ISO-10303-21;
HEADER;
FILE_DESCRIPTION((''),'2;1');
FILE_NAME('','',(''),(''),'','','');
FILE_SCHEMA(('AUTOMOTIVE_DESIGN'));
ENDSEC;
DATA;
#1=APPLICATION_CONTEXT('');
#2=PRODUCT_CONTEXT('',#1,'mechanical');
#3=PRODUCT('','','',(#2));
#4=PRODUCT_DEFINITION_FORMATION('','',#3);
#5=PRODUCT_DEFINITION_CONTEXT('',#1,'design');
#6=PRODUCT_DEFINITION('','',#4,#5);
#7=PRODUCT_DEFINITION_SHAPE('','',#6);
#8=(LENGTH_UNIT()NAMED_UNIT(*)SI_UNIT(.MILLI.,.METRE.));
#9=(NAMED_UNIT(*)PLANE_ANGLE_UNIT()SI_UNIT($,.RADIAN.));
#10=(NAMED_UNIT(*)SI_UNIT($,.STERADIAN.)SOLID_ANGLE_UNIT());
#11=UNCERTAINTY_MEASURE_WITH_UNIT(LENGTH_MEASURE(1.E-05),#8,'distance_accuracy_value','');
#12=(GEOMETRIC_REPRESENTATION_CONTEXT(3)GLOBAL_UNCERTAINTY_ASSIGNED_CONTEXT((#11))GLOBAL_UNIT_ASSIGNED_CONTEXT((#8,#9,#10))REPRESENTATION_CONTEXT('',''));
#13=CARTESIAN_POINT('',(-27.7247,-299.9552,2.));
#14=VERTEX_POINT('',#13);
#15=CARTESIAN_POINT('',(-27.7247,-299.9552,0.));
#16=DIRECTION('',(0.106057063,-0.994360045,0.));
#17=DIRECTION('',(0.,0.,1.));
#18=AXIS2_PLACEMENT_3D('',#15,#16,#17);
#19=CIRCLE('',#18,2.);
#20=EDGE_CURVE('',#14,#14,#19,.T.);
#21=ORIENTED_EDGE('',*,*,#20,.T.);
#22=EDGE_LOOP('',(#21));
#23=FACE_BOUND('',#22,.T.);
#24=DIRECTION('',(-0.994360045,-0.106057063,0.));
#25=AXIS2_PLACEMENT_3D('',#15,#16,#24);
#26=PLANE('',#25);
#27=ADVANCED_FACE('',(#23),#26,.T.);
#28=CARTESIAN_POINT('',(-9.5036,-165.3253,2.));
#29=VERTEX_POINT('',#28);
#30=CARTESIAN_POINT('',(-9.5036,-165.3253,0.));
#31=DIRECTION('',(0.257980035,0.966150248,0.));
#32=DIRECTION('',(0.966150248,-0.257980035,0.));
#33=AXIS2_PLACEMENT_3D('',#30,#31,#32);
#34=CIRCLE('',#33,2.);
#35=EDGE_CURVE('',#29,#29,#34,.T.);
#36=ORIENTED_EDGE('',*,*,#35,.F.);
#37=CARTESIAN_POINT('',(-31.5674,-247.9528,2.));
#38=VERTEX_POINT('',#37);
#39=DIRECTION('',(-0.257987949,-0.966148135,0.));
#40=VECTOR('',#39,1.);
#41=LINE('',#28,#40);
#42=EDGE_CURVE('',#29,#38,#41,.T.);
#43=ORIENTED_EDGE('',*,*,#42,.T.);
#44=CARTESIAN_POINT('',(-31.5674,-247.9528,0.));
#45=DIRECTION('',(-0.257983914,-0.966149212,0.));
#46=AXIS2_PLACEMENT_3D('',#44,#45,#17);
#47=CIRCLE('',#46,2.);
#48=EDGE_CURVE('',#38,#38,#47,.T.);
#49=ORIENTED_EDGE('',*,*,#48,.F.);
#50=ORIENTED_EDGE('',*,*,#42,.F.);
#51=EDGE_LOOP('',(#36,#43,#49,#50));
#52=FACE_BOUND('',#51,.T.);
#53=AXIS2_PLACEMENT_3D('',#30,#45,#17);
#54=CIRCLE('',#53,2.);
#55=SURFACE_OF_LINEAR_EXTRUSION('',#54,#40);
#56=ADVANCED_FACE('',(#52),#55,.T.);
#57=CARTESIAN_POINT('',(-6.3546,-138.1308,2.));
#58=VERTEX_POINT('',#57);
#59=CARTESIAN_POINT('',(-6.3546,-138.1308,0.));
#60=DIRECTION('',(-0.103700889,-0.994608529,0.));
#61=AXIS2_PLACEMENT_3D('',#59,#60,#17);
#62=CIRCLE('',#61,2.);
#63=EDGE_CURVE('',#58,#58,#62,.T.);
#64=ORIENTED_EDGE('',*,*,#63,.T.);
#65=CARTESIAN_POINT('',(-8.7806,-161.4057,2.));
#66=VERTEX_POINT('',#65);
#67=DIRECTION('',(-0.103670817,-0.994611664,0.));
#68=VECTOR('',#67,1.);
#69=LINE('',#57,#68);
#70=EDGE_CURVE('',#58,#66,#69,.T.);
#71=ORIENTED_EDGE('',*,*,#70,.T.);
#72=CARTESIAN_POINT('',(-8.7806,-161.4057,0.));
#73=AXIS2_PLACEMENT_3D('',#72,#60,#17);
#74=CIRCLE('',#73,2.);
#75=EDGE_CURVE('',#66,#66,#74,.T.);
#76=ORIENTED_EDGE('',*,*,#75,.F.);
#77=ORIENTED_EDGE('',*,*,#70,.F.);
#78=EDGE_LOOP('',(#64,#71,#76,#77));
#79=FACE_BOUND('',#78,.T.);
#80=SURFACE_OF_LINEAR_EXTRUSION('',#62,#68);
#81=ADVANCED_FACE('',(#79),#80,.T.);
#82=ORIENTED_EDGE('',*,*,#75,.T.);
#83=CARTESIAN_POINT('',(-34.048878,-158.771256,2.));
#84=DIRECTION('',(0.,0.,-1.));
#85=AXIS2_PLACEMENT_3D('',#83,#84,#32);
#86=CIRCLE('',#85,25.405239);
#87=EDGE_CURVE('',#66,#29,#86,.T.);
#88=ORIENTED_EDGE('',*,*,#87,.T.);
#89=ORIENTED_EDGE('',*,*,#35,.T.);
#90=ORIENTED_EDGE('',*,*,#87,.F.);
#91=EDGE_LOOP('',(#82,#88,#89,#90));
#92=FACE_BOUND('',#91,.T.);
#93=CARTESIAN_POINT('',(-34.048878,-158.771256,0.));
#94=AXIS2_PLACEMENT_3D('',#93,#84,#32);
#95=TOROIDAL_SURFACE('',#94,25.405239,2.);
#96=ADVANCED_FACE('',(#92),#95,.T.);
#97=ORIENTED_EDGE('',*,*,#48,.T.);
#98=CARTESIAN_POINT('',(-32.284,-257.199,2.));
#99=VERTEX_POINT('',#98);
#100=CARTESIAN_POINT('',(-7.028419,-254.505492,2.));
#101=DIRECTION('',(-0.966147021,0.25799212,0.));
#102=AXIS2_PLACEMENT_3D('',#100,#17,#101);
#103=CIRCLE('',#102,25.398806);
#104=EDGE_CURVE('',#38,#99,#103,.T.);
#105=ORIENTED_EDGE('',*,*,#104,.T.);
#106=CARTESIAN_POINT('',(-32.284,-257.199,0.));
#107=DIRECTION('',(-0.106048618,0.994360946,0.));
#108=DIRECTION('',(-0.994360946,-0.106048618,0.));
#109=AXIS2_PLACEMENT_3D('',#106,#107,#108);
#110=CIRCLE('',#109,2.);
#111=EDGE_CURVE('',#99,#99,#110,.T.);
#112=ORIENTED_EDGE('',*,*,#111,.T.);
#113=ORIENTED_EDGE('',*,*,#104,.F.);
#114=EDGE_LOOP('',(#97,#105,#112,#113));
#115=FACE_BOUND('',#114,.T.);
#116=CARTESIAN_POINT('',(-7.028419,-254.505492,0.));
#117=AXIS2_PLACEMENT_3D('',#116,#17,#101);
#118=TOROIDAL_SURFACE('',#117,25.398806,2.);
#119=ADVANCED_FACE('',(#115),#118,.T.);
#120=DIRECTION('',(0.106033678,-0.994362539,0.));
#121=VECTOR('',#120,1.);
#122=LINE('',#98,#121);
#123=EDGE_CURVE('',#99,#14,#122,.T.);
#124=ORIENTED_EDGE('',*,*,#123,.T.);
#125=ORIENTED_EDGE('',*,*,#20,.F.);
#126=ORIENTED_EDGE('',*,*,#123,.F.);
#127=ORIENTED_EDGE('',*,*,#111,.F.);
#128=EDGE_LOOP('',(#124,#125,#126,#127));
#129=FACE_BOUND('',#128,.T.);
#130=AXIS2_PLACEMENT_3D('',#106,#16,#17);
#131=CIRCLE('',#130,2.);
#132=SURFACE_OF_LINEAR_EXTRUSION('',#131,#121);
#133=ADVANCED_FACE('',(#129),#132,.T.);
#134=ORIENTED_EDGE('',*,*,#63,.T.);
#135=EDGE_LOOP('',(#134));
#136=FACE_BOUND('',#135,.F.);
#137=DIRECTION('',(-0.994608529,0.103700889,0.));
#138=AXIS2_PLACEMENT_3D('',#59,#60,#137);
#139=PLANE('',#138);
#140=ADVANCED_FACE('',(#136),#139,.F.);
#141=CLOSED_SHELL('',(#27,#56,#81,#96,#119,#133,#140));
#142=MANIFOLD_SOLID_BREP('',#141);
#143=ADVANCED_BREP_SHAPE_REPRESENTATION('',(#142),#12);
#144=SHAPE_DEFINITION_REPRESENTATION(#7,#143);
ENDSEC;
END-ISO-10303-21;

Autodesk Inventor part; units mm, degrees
ref_plane "YZ Plane" through (0, 0, 0) normal (1, 0, 0) x (0, 1, 0)
ref_plane "XZ Plane" through (0, 0, 0) normal (0, 1, 0) x (-1, 0, 0)
ref_plane "XY Plane" through (0, 0, 0) normal (0, 0, 1) x (1, 0, 0)
sketch "BaseProfile" plane through (0, 0, 0) normal (0, 0, 1) x (1, 0, 0)
  line L0 (-5.4941, -149.1667) -> (-9.4725, -148.752) projected
  line L1 (-9.5036, -165.3253) -> (-31.5674, -247.9528)
  line L2 (-16.8134, -161.3043) -> (-40.3905, -249.5992) construction
  line L3 (-15.5803, -135.6093) -> (-16.8134, -161.3043) construction
  line L4 (-8.9879, -163.3939) -> (-16.8134, -161.3043) construction
  line L5 (-6.3546, -138.1308) -> (-8.7806, -161.4057)
  line L6 (-32.284, -257.199) -> (-27.7247, -299.9552)
  arc A0 (-9.5036, -165.3253) -> (-8.7806, -161.4057) centre (-34.0438, -158.7724) ccw
  arc A1 (-31.5674, -247.9528) -> (-32.284, -257.199) centre (-7.0272, -254.5057) ccw
  point P0 (0, 0)
  point P1 (-32.7841, -252.5093)
  point P2 (-7.4833, -148.9594)
  dimension "d1" = 25.4
  dimension "d3" = 47.7149
  dimension "d7" = 25.4
  dimension "d8" = 171
ref_plane "SweepPlane" through (-6.3546, -138.1308, 0) normal (-0.1037, -0.9946, 0) x (0, 0, 1)
ref_plane "Work Plane1" through (-7.4833, -148.9594, -12.7182) normal (-0.1037, -0.9946, 0) x (0, 0, 1)
sketch "Sketch2" plane through (-6.3546, -138.1308, 0) normal (-0.1037, -0.9946, 0) x (0, 0, 1)
  circle A0 centre (0, 0) radius 2
  point P0 (0, 8)
  dimension "d4" = 4
sweep "SweepFeature" add profiles "Sketch2" path "BaseProfile" path curves L5 A0 L1 A1 L6
ref_plane "EndSweepPlane" through (-27.7247, -299.9552, 0) normal (0.106, -0.9944, 0) x (0.9944, 0.106, 0)
properties part number "NoseBentBar"
